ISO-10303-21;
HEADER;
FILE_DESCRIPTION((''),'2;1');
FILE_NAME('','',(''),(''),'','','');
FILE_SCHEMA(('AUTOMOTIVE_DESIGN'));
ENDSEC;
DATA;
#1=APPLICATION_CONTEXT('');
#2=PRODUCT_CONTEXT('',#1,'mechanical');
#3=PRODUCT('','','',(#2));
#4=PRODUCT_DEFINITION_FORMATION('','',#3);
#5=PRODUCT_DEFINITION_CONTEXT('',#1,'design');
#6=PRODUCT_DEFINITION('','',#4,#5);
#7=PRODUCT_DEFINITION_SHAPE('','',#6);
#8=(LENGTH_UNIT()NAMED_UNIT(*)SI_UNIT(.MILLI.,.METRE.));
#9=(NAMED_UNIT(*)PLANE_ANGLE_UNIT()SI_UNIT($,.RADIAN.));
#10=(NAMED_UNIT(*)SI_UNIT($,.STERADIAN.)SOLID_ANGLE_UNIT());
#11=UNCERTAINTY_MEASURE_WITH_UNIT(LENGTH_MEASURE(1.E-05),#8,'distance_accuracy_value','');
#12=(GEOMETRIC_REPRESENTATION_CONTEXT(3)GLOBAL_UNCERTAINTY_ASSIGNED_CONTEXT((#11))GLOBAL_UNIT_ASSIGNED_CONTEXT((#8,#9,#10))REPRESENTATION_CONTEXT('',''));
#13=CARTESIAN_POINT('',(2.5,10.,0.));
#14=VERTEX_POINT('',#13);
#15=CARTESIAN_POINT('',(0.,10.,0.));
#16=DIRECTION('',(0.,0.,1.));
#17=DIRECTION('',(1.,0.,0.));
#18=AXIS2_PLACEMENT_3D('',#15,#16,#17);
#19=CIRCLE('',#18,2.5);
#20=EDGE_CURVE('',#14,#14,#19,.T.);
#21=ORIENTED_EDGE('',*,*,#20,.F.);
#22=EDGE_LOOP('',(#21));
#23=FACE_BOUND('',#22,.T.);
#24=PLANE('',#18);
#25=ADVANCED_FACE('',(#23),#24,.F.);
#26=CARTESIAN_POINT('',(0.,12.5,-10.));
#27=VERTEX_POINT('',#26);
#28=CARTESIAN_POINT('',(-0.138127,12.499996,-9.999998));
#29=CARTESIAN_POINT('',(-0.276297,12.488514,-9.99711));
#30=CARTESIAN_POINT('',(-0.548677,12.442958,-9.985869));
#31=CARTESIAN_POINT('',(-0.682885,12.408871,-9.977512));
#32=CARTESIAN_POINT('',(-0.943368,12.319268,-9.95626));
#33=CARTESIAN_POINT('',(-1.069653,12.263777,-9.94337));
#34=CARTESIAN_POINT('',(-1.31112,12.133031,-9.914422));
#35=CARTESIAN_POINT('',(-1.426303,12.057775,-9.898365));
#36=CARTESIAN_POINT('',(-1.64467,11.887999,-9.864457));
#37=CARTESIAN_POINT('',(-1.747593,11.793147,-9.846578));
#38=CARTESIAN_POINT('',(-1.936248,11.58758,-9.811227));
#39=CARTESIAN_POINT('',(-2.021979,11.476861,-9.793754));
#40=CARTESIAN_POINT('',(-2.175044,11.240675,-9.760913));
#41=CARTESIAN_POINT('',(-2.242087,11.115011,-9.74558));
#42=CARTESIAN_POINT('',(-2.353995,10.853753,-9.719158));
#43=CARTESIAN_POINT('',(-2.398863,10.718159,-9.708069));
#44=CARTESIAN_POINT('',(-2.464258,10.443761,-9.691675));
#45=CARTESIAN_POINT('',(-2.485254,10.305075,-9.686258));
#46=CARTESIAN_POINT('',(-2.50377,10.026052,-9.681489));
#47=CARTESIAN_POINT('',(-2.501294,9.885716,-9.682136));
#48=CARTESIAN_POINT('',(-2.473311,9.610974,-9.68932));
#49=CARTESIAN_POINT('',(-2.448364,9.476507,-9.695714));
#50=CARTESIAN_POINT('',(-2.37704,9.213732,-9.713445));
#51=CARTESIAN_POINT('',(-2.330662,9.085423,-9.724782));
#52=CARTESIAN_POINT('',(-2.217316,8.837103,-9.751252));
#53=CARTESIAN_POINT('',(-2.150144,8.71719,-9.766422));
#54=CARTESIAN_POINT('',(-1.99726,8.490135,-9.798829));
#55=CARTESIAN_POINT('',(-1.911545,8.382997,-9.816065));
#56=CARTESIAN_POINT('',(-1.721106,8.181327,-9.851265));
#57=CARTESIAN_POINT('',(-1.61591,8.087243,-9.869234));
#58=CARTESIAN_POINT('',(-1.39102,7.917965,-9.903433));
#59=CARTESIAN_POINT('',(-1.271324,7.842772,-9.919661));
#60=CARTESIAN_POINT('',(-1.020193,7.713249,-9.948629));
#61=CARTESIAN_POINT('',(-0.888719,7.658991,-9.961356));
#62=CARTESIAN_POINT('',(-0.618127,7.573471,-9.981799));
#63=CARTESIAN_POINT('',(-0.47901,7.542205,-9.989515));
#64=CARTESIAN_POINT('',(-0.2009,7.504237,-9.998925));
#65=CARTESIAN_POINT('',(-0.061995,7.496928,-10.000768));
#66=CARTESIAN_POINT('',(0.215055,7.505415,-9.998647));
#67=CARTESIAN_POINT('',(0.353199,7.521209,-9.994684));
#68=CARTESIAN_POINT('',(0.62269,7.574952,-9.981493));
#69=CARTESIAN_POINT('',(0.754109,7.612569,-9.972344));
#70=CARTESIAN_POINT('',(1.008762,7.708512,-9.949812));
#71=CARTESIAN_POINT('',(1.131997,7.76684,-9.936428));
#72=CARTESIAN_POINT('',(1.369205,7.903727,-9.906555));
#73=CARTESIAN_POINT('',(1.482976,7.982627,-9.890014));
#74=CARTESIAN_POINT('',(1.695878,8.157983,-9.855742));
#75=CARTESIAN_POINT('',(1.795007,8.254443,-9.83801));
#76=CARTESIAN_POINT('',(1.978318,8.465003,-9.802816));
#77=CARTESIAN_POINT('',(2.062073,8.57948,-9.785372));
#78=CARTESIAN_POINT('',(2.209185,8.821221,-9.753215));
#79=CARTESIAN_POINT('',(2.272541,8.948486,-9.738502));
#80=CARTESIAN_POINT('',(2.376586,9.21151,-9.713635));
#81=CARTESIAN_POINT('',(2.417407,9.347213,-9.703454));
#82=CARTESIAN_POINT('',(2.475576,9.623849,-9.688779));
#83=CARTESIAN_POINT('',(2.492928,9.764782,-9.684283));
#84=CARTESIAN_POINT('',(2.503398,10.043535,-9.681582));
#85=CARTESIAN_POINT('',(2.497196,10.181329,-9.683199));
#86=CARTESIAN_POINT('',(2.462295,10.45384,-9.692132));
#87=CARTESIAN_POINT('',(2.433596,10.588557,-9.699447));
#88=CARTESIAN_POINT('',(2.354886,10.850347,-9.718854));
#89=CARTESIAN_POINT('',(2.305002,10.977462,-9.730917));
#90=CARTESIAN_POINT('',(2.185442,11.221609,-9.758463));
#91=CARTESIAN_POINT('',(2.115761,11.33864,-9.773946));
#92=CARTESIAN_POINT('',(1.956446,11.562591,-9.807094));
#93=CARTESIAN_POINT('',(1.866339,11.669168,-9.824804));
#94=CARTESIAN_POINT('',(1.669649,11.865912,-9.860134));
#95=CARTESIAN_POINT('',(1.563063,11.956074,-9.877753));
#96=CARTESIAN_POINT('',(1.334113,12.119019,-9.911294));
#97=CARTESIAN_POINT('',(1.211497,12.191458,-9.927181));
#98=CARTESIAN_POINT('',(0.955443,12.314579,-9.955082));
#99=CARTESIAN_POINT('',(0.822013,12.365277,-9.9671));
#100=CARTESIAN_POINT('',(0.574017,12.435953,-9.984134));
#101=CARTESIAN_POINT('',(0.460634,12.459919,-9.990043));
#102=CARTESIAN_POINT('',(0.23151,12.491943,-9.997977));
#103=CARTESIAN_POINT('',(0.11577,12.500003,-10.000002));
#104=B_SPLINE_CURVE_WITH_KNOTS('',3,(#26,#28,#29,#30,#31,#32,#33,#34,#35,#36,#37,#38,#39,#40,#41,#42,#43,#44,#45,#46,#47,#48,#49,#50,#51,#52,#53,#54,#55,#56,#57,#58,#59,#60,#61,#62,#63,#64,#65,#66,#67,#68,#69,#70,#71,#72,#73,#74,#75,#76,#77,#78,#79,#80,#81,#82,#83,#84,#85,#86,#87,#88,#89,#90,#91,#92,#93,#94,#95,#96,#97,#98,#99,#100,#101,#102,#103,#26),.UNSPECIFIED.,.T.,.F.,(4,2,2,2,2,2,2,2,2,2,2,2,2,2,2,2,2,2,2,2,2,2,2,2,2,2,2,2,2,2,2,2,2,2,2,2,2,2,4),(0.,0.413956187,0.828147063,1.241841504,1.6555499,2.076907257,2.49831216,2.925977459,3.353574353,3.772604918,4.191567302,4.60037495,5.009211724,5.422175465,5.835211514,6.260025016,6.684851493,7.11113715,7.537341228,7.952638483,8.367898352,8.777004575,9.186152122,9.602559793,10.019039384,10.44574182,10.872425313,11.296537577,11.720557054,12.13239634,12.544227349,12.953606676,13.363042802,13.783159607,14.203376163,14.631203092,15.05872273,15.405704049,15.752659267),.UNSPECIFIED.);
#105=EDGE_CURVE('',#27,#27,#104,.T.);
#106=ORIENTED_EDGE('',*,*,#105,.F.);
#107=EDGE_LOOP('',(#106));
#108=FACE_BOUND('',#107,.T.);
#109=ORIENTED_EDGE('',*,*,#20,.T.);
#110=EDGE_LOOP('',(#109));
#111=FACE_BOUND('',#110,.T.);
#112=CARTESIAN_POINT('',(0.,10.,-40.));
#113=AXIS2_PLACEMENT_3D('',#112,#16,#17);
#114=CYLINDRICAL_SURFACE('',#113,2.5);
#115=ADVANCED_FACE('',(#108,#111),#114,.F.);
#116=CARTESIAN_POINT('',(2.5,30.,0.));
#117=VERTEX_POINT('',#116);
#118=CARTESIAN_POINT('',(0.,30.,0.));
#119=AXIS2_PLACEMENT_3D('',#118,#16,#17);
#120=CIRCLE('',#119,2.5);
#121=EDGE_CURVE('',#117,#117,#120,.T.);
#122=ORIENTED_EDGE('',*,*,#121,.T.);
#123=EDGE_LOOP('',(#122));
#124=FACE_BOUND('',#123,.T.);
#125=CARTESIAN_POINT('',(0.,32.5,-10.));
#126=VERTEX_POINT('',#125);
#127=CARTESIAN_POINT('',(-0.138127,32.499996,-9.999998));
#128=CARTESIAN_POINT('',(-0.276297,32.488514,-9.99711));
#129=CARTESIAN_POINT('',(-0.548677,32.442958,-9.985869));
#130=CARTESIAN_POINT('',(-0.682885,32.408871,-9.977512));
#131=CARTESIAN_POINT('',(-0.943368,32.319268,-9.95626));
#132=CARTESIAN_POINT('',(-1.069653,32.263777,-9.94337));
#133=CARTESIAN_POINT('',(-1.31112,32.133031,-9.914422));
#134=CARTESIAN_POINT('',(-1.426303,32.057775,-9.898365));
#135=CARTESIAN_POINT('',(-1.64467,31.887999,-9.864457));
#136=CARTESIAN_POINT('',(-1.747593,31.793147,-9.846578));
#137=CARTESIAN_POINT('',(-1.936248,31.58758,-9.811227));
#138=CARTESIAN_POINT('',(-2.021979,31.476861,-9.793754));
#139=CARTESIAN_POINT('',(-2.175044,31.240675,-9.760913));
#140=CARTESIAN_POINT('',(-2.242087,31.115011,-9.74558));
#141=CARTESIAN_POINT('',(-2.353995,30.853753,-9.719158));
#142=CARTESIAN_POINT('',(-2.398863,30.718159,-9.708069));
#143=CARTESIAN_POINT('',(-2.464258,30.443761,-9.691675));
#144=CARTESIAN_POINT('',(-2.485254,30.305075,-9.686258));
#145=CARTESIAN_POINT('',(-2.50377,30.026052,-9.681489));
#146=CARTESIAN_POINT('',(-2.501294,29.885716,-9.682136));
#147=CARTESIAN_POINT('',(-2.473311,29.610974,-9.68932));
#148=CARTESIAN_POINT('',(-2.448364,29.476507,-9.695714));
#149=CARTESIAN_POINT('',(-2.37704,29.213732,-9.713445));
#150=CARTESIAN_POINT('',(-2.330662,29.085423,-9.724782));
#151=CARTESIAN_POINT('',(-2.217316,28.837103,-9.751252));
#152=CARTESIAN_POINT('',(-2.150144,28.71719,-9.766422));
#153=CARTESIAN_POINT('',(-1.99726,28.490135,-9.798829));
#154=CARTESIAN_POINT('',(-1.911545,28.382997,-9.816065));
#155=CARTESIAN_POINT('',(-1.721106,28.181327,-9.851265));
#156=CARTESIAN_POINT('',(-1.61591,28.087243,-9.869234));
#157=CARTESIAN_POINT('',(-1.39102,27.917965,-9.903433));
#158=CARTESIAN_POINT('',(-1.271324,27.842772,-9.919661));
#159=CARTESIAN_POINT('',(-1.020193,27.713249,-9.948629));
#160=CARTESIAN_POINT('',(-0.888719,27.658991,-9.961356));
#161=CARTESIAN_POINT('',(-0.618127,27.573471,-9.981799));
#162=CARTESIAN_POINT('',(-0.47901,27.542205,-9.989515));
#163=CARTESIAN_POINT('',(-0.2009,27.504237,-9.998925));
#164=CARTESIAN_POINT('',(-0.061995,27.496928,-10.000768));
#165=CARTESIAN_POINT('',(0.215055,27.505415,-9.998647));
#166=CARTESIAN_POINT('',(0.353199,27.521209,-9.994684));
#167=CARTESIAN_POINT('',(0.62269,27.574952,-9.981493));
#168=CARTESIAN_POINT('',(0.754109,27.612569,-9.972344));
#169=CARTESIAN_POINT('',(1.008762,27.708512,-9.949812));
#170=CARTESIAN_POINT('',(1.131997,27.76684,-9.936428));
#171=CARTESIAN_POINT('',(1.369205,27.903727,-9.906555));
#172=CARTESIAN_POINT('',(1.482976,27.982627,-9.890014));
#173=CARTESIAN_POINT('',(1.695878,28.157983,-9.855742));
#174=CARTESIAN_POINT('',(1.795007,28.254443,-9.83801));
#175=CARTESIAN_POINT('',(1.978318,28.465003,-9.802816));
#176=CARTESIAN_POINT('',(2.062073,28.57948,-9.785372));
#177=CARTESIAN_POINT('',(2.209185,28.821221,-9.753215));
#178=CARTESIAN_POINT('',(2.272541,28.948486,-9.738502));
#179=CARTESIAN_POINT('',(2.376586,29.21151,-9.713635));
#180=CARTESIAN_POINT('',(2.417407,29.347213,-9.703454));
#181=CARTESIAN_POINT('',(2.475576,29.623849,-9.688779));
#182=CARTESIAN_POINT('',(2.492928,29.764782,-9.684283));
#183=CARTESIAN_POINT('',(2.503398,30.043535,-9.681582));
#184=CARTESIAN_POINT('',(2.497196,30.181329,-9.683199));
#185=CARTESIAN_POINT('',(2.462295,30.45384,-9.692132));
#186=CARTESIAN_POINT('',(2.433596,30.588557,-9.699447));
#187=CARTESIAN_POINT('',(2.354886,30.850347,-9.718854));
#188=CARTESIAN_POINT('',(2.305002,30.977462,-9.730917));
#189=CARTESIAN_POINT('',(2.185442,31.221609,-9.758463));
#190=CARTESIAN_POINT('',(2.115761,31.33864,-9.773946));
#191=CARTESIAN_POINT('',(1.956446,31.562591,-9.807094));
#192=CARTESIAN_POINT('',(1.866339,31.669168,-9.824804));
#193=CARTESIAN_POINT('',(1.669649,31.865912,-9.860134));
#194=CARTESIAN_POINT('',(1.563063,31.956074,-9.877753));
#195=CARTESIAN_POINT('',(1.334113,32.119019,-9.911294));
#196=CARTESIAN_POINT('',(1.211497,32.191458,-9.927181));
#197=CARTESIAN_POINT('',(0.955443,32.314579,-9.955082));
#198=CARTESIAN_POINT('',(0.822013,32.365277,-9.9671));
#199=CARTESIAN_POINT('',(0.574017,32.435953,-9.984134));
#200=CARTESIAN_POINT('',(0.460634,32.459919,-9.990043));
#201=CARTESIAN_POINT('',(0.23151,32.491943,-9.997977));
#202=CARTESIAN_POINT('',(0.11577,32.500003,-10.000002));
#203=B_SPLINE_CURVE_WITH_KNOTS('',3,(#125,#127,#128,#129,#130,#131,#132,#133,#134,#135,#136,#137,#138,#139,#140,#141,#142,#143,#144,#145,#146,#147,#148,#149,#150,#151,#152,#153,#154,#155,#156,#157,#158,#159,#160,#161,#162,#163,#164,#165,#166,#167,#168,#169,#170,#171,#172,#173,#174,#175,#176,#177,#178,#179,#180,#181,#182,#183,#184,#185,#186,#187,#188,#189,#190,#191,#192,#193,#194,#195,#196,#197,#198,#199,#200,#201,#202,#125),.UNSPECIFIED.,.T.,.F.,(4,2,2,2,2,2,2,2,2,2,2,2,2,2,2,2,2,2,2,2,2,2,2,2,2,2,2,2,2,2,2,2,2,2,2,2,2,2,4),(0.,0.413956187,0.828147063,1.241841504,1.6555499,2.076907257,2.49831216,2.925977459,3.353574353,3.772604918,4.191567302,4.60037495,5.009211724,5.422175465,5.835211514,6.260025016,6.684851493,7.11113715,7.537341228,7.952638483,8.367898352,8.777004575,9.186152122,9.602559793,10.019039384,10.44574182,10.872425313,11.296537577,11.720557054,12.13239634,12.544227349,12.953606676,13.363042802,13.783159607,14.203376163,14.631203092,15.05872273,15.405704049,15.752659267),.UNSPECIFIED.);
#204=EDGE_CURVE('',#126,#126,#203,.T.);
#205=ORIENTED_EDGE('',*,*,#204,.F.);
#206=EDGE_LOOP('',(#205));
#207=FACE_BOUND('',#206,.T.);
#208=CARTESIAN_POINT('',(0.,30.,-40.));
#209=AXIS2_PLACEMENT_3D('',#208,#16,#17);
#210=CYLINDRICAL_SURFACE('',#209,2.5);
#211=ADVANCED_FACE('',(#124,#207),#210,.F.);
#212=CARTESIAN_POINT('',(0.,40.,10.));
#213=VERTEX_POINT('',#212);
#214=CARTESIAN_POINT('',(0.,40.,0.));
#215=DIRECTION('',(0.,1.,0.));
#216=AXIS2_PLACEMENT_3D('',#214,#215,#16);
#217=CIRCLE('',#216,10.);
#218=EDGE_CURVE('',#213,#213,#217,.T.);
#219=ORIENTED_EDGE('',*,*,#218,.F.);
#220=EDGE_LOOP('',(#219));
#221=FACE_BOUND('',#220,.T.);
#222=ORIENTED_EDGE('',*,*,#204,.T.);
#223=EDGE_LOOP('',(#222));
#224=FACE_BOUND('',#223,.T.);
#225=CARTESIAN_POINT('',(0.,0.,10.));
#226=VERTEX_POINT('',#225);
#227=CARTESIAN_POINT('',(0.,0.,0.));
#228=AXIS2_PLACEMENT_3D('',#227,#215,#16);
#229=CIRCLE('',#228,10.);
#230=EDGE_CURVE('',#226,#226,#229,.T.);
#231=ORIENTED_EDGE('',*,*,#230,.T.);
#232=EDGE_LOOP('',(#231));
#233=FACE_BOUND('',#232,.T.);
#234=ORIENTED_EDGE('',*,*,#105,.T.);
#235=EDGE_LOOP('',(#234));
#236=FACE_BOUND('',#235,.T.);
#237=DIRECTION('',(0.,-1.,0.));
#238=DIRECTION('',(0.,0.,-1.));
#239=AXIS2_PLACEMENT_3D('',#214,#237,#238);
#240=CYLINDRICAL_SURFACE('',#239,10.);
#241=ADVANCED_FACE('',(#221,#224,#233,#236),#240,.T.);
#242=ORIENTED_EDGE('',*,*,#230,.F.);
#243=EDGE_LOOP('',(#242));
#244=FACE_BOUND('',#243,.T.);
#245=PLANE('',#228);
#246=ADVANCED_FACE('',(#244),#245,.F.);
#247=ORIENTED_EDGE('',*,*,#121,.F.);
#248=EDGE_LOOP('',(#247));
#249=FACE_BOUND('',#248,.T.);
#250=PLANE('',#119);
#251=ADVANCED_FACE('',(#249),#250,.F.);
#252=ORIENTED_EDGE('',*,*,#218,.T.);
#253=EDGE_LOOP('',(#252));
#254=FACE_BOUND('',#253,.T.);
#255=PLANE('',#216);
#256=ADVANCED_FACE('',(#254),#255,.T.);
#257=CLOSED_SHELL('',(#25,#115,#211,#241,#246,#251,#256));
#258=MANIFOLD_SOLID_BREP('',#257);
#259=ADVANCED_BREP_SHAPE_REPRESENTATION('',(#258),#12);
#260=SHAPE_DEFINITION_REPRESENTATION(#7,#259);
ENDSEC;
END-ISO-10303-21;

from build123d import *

# Parameters (mm, degrees)
SKETCH_1_R          = 10
EXTRUDE_1_DEPTH     = 40
SKETCH_2_R          = 2.5
CUT_EXTRUDE_1_DEPTH = 40


with BuildPart() as part:
    # 草图1 → 凸台-拉伸1 (new body)
    with BuildSketch(Plane(origin=(0, 0, 0), x_dir=(1, 0, 0), z_dir=(0, 1, 0))):
        with Locations(Location((0, 0, 0), (0, 0, 270))):
            Circle(SKETCH_1_R)
    extrude(amount=EXTRUDE_1_DEPTH)

    # 草图2 → 切除-拉伸1 (cut)
    with BuildSketch(Plane.XY):
        with Locations((0, 30)):
            Circle(SKETCH_2_R)
        with Locations((0, 10)):
            Circle(SKETCH_2_R)
    extrude(amount=-CUT_EXTRUDE_1_DEPTH, mode=Mode.SUBTRACT)


solid = part.part
